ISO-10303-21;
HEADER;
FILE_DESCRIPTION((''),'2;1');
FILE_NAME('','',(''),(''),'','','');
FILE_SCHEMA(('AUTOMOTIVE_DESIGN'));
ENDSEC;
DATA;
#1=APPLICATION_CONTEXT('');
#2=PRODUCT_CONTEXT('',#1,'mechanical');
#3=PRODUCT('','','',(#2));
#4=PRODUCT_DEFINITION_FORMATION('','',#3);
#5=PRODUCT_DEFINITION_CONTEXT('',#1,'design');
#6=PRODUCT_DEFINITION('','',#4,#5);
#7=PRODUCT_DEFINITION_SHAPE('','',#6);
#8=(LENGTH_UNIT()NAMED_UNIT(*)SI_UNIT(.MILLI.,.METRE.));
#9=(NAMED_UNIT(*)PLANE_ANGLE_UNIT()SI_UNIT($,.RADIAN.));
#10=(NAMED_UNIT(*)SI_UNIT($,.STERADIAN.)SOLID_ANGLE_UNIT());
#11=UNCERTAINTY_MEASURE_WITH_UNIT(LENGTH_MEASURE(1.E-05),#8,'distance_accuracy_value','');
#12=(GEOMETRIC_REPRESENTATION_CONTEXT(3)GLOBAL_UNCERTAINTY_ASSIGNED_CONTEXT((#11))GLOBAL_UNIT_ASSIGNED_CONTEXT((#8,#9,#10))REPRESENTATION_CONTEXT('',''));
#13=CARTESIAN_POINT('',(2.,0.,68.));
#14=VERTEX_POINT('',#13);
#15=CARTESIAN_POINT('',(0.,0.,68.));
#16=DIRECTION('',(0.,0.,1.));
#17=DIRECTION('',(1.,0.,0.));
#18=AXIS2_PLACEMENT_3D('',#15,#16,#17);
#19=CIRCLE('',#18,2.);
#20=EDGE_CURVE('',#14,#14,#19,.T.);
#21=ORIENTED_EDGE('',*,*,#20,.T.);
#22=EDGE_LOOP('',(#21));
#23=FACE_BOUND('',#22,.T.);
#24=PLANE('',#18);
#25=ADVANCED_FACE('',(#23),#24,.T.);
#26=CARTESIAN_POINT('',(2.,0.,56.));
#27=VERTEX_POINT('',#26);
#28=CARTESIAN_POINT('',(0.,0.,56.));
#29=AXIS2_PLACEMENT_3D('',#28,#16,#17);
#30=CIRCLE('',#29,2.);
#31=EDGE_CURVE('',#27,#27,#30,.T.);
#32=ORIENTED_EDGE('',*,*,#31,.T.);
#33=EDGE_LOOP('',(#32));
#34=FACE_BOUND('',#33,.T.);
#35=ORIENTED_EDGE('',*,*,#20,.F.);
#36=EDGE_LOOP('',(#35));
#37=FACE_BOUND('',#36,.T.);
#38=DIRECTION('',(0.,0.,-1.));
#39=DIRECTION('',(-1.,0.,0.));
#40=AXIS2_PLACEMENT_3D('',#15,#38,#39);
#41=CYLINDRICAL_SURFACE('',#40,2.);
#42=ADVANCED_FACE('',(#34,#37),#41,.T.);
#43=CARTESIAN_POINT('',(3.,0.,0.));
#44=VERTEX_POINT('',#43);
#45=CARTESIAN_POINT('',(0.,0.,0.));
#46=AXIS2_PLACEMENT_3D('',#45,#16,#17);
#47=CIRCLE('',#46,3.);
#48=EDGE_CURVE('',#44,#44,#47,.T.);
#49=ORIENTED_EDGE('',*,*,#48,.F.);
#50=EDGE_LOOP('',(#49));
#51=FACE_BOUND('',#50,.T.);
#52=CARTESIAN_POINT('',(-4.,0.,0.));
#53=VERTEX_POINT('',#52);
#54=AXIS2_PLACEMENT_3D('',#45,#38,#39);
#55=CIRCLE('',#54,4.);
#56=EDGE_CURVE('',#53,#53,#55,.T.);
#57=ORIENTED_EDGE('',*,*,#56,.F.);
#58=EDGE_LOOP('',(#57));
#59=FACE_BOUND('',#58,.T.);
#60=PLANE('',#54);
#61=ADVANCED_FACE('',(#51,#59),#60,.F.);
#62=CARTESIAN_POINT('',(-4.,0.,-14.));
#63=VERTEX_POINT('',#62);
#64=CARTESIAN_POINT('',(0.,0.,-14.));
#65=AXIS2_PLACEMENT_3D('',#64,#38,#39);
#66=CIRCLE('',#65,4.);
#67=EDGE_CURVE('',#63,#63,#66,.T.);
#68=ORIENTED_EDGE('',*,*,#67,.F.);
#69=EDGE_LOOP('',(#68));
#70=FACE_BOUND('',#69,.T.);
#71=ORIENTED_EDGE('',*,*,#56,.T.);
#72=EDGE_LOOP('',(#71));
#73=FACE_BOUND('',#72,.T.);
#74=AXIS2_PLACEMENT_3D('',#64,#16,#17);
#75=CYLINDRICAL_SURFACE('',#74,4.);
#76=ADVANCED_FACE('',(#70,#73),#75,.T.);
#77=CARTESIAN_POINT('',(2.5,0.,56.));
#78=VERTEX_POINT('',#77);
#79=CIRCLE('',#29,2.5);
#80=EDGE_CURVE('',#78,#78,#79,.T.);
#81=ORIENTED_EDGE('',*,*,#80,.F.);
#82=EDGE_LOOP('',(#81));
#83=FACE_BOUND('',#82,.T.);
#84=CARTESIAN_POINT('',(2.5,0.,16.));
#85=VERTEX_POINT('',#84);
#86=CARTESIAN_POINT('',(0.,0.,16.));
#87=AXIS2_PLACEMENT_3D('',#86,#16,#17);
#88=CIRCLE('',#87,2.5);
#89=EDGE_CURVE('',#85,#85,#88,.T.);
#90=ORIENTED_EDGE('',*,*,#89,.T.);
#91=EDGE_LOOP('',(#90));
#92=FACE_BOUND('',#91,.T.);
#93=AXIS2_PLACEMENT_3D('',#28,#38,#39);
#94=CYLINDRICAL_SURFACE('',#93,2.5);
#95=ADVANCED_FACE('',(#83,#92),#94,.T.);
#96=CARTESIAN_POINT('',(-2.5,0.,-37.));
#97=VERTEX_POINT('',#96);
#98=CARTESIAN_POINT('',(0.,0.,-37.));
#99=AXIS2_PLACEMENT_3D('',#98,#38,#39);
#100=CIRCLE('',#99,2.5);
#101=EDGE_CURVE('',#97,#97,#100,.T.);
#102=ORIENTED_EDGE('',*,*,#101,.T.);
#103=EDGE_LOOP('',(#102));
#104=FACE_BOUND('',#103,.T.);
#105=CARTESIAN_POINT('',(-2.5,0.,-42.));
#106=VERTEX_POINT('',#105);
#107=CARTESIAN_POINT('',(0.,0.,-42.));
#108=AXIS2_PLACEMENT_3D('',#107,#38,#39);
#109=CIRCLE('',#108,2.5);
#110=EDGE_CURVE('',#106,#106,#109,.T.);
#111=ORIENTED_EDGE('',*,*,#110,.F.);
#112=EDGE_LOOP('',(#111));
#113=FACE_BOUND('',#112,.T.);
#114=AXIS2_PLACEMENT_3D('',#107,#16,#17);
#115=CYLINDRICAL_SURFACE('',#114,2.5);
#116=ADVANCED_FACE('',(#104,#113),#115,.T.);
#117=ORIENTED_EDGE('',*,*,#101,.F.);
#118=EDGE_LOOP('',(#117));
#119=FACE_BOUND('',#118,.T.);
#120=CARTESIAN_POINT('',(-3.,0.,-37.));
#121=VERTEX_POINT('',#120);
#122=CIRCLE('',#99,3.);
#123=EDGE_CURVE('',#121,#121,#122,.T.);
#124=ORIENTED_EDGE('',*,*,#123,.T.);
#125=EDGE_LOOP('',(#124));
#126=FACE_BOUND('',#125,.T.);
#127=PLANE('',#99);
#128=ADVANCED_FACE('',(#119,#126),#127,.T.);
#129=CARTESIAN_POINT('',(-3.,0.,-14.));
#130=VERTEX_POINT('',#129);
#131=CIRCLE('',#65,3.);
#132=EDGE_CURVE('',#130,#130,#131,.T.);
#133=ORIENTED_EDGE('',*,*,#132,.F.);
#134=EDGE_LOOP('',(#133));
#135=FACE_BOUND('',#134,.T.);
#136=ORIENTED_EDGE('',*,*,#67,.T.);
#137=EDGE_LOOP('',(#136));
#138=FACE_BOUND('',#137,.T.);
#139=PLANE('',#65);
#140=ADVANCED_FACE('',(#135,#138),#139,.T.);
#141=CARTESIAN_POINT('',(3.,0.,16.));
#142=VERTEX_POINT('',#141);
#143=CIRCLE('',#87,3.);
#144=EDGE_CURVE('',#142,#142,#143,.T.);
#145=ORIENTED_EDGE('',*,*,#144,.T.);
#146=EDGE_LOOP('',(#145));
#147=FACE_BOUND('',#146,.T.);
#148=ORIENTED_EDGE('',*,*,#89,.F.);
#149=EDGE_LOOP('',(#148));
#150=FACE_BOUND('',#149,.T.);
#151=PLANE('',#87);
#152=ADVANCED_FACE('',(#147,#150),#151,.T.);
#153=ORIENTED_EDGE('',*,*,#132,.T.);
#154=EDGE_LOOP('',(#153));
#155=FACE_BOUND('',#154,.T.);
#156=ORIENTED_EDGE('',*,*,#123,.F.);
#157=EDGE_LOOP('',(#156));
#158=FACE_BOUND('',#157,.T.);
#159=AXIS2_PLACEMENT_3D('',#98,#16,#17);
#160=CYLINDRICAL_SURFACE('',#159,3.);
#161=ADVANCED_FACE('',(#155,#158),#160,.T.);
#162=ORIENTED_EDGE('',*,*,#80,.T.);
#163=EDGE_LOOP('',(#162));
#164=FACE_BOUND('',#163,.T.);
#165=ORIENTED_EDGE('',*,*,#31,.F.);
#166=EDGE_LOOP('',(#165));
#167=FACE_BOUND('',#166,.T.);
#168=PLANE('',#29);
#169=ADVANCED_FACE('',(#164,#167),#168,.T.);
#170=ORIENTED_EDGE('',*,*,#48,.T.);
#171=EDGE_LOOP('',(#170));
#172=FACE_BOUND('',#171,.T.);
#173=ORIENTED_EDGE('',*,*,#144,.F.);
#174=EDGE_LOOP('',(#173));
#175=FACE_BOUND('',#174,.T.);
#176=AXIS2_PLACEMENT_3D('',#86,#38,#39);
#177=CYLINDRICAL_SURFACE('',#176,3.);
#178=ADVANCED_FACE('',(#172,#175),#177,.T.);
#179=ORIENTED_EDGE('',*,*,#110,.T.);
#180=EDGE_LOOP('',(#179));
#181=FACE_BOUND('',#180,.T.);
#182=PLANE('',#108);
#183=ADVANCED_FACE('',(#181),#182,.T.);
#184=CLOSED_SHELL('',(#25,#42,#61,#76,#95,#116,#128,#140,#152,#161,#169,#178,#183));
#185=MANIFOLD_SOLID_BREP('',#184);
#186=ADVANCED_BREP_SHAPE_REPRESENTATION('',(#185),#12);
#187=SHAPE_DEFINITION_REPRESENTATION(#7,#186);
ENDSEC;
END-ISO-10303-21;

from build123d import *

# Parameters (mm, degrees)
SKETCH_1_R      = 3
EXTRUDE_1_DEPTH = 16
SKETCH_2_R      = 4
EXTRUDE_2_DEPTH = 14
EXTRUDE_START   = 23
SKETCH_3_R      = 3
EXTRUDE_3_DEPTH = 23
SKETCH_4_R      = 2.5
EXTRUDE_4_DEPTH = 40
SKETCH_7_R      = 2
EXTRUDE_5_DEPTH = 12
EXTRUDE_START_2 = 5
SKETCH_5_R      = 2.5
EXTRUDE_6_DEPTH = 5


with BuildPart() as part:
    # 草图1 → 凸台-拉伸1 (new body)
    with BuildSketch(Plane.XY):
        Circle(SKETCH_1_R)
    extrude(amount=EXTRUDE_1_DEPTH)

    # 草图2 → 凸台-拉伸2 (add)
    with BuildSketch(Plane(origin=(0, 0, 0), x_dir=(-1, 0, 0), z_dir=(0, 0, -1))):
        Circle(SKETCH_2_R)
    extrude(amount=EXTRUDE_2_DEPTH)

    # 草图3 → 凸台-拉伸3 (add)
    with BuildSketch(Plane(origin=(0, 0, -14), x_dir=(-1, 0, 0), z_dir=(0, 0, -1)).offset(EXTRUDE_START)):
        with Locations(Location((0, 0, 0), (0, 0, 180))):
            Circle(SKETCH_3_R)
    extrude(amount=-EXTRUDE_3_DEPTH)

    # 草图4 → 凸台-拉伸4 (add)
    with BuildSketch(Plane.XY.offset(16)):
        Circle(SKETCH_4_R)
    extrude(amount=EXTRUDE_4_DEPTH)

    # 草图7 → 凸台-拉伸5 (add)
    with BuildSketch(Plane.XY.offset(56)):
        Circle(SKETCH_7_R)
    extrude(amount=EXTRUDE_5_DEPTH)

    # 草图5 → 凸台-拉伸6 (add)
    with BuildSketch(Plane(origin=(0, 0, -37), x_dir=(-1, 0, 0), z_dir=(0, 0, -1)).offset(EXTRUDE_START_2)):
        with Locations(Location((0, 0, 0), (0, 0, 180))):
            Circle(SKETCH_5_R)
    extrude(amount=-EXTRUDE_6_DEPTH)


solid = part.part
